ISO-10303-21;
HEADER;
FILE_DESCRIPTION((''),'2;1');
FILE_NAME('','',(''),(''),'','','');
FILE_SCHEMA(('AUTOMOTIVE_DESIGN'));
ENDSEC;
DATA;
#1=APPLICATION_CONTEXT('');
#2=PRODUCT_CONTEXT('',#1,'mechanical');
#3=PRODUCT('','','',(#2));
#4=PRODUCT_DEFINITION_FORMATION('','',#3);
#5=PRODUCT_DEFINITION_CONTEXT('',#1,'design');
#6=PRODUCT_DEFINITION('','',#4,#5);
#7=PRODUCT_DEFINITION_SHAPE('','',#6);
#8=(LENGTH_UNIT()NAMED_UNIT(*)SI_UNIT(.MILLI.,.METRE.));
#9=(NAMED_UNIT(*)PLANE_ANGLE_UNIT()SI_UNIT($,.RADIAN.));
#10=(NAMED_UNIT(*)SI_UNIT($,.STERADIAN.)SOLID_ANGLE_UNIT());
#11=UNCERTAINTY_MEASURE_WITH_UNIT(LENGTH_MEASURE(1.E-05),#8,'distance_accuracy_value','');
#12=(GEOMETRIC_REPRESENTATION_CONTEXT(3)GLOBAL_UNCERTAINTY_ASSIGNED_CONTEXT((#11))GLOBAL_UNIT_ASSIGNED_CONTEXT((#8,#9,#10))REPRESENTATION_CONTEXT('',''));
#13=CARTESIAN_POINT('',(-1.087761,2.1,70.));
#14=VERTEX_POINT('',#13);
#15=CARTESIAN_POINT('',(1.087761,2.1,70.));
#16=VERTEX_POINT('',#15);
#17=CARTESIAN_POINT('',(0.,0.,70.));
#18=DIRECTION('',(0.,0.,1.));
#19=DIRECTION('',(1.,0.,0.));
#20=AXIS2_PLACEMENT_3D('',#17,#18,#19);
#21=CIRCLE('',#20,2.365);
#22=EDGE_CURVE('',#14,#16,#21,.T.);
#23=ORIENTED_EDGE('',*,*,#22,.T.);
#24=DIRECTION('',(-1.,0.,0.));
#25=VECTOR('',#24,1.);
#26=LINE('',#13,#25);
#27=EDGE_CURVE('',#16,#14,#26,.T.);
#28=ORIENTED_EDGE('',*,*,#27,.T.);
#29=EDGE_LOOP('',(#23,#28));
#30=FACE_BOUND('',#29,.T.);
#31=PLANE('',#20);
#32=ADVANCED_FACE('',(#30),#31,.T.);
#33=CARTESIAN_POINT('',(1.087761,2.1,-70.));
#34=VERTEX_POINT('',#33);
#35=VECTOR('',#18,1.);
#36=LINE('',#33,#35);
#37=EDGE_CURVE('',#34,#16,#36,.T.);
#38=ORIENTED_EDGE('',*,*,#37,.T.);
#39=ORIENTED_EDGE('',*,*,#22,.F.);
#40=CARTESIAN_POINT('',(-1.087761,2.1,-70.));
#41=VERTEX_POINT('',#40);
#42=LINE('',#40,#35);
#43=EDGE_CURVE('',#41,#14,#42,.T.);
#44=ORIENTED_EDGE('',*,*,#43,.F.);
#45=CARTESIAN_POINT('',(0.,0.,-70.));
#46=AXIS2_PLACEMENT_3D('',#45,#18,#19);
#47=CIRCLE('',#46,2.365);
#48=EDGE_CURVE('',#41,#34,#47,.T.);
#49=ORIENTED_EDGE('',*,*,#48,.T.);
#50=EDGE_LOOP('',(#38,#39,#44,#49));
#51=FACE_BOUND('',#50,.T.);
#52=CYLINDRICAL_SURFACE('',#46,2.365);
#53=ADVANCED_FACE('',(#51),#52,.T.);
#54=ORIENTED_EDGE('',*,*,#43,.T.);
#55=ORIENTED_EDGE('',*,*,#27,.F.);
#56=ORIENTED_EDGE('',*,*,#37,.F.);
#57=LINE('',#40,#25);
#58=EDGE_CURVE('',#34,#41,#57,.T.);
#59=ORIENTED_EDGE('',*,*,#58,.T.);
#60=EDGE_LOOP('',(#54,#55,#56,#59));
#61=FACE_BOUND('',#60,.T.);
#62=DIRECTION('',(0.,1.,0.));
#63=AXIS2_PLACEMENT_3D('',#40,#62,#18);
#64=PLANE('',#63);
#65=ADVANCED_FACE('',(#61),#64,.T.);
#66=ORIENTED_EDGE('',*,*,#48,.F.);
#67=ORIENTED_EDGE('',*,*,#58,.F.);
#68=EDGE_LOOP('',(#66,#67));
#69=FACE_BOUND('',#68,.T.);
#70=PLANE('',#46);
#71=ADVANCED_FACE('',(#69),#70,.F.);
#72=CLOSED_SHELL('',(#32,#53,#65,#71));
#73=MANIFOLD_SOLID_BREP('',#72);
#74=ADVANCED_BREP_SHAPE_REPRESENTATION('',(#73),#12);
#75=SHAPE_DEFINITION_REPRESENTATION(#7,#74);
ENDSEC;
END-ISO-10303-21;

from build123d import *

# Parameters (mm, degrees)
EXTRUDE1_DEPTH = 70


with BuildPart() as part:
    # Sketch1 → Extrude1 (new body, symmetric)
    with BuildSketch(Plane.XY):
        with BuildLine():
            Line((-1.087761463, 2.1), (1.087761463, 2.1))
            ThreePointArc((1.087761463, 2.1), (0, -2.365), (-1.087761463, 2.1))
        make_face()
    extrude(amount=EXTRUDE1_DEPTH, both=True)


solid = part.part
